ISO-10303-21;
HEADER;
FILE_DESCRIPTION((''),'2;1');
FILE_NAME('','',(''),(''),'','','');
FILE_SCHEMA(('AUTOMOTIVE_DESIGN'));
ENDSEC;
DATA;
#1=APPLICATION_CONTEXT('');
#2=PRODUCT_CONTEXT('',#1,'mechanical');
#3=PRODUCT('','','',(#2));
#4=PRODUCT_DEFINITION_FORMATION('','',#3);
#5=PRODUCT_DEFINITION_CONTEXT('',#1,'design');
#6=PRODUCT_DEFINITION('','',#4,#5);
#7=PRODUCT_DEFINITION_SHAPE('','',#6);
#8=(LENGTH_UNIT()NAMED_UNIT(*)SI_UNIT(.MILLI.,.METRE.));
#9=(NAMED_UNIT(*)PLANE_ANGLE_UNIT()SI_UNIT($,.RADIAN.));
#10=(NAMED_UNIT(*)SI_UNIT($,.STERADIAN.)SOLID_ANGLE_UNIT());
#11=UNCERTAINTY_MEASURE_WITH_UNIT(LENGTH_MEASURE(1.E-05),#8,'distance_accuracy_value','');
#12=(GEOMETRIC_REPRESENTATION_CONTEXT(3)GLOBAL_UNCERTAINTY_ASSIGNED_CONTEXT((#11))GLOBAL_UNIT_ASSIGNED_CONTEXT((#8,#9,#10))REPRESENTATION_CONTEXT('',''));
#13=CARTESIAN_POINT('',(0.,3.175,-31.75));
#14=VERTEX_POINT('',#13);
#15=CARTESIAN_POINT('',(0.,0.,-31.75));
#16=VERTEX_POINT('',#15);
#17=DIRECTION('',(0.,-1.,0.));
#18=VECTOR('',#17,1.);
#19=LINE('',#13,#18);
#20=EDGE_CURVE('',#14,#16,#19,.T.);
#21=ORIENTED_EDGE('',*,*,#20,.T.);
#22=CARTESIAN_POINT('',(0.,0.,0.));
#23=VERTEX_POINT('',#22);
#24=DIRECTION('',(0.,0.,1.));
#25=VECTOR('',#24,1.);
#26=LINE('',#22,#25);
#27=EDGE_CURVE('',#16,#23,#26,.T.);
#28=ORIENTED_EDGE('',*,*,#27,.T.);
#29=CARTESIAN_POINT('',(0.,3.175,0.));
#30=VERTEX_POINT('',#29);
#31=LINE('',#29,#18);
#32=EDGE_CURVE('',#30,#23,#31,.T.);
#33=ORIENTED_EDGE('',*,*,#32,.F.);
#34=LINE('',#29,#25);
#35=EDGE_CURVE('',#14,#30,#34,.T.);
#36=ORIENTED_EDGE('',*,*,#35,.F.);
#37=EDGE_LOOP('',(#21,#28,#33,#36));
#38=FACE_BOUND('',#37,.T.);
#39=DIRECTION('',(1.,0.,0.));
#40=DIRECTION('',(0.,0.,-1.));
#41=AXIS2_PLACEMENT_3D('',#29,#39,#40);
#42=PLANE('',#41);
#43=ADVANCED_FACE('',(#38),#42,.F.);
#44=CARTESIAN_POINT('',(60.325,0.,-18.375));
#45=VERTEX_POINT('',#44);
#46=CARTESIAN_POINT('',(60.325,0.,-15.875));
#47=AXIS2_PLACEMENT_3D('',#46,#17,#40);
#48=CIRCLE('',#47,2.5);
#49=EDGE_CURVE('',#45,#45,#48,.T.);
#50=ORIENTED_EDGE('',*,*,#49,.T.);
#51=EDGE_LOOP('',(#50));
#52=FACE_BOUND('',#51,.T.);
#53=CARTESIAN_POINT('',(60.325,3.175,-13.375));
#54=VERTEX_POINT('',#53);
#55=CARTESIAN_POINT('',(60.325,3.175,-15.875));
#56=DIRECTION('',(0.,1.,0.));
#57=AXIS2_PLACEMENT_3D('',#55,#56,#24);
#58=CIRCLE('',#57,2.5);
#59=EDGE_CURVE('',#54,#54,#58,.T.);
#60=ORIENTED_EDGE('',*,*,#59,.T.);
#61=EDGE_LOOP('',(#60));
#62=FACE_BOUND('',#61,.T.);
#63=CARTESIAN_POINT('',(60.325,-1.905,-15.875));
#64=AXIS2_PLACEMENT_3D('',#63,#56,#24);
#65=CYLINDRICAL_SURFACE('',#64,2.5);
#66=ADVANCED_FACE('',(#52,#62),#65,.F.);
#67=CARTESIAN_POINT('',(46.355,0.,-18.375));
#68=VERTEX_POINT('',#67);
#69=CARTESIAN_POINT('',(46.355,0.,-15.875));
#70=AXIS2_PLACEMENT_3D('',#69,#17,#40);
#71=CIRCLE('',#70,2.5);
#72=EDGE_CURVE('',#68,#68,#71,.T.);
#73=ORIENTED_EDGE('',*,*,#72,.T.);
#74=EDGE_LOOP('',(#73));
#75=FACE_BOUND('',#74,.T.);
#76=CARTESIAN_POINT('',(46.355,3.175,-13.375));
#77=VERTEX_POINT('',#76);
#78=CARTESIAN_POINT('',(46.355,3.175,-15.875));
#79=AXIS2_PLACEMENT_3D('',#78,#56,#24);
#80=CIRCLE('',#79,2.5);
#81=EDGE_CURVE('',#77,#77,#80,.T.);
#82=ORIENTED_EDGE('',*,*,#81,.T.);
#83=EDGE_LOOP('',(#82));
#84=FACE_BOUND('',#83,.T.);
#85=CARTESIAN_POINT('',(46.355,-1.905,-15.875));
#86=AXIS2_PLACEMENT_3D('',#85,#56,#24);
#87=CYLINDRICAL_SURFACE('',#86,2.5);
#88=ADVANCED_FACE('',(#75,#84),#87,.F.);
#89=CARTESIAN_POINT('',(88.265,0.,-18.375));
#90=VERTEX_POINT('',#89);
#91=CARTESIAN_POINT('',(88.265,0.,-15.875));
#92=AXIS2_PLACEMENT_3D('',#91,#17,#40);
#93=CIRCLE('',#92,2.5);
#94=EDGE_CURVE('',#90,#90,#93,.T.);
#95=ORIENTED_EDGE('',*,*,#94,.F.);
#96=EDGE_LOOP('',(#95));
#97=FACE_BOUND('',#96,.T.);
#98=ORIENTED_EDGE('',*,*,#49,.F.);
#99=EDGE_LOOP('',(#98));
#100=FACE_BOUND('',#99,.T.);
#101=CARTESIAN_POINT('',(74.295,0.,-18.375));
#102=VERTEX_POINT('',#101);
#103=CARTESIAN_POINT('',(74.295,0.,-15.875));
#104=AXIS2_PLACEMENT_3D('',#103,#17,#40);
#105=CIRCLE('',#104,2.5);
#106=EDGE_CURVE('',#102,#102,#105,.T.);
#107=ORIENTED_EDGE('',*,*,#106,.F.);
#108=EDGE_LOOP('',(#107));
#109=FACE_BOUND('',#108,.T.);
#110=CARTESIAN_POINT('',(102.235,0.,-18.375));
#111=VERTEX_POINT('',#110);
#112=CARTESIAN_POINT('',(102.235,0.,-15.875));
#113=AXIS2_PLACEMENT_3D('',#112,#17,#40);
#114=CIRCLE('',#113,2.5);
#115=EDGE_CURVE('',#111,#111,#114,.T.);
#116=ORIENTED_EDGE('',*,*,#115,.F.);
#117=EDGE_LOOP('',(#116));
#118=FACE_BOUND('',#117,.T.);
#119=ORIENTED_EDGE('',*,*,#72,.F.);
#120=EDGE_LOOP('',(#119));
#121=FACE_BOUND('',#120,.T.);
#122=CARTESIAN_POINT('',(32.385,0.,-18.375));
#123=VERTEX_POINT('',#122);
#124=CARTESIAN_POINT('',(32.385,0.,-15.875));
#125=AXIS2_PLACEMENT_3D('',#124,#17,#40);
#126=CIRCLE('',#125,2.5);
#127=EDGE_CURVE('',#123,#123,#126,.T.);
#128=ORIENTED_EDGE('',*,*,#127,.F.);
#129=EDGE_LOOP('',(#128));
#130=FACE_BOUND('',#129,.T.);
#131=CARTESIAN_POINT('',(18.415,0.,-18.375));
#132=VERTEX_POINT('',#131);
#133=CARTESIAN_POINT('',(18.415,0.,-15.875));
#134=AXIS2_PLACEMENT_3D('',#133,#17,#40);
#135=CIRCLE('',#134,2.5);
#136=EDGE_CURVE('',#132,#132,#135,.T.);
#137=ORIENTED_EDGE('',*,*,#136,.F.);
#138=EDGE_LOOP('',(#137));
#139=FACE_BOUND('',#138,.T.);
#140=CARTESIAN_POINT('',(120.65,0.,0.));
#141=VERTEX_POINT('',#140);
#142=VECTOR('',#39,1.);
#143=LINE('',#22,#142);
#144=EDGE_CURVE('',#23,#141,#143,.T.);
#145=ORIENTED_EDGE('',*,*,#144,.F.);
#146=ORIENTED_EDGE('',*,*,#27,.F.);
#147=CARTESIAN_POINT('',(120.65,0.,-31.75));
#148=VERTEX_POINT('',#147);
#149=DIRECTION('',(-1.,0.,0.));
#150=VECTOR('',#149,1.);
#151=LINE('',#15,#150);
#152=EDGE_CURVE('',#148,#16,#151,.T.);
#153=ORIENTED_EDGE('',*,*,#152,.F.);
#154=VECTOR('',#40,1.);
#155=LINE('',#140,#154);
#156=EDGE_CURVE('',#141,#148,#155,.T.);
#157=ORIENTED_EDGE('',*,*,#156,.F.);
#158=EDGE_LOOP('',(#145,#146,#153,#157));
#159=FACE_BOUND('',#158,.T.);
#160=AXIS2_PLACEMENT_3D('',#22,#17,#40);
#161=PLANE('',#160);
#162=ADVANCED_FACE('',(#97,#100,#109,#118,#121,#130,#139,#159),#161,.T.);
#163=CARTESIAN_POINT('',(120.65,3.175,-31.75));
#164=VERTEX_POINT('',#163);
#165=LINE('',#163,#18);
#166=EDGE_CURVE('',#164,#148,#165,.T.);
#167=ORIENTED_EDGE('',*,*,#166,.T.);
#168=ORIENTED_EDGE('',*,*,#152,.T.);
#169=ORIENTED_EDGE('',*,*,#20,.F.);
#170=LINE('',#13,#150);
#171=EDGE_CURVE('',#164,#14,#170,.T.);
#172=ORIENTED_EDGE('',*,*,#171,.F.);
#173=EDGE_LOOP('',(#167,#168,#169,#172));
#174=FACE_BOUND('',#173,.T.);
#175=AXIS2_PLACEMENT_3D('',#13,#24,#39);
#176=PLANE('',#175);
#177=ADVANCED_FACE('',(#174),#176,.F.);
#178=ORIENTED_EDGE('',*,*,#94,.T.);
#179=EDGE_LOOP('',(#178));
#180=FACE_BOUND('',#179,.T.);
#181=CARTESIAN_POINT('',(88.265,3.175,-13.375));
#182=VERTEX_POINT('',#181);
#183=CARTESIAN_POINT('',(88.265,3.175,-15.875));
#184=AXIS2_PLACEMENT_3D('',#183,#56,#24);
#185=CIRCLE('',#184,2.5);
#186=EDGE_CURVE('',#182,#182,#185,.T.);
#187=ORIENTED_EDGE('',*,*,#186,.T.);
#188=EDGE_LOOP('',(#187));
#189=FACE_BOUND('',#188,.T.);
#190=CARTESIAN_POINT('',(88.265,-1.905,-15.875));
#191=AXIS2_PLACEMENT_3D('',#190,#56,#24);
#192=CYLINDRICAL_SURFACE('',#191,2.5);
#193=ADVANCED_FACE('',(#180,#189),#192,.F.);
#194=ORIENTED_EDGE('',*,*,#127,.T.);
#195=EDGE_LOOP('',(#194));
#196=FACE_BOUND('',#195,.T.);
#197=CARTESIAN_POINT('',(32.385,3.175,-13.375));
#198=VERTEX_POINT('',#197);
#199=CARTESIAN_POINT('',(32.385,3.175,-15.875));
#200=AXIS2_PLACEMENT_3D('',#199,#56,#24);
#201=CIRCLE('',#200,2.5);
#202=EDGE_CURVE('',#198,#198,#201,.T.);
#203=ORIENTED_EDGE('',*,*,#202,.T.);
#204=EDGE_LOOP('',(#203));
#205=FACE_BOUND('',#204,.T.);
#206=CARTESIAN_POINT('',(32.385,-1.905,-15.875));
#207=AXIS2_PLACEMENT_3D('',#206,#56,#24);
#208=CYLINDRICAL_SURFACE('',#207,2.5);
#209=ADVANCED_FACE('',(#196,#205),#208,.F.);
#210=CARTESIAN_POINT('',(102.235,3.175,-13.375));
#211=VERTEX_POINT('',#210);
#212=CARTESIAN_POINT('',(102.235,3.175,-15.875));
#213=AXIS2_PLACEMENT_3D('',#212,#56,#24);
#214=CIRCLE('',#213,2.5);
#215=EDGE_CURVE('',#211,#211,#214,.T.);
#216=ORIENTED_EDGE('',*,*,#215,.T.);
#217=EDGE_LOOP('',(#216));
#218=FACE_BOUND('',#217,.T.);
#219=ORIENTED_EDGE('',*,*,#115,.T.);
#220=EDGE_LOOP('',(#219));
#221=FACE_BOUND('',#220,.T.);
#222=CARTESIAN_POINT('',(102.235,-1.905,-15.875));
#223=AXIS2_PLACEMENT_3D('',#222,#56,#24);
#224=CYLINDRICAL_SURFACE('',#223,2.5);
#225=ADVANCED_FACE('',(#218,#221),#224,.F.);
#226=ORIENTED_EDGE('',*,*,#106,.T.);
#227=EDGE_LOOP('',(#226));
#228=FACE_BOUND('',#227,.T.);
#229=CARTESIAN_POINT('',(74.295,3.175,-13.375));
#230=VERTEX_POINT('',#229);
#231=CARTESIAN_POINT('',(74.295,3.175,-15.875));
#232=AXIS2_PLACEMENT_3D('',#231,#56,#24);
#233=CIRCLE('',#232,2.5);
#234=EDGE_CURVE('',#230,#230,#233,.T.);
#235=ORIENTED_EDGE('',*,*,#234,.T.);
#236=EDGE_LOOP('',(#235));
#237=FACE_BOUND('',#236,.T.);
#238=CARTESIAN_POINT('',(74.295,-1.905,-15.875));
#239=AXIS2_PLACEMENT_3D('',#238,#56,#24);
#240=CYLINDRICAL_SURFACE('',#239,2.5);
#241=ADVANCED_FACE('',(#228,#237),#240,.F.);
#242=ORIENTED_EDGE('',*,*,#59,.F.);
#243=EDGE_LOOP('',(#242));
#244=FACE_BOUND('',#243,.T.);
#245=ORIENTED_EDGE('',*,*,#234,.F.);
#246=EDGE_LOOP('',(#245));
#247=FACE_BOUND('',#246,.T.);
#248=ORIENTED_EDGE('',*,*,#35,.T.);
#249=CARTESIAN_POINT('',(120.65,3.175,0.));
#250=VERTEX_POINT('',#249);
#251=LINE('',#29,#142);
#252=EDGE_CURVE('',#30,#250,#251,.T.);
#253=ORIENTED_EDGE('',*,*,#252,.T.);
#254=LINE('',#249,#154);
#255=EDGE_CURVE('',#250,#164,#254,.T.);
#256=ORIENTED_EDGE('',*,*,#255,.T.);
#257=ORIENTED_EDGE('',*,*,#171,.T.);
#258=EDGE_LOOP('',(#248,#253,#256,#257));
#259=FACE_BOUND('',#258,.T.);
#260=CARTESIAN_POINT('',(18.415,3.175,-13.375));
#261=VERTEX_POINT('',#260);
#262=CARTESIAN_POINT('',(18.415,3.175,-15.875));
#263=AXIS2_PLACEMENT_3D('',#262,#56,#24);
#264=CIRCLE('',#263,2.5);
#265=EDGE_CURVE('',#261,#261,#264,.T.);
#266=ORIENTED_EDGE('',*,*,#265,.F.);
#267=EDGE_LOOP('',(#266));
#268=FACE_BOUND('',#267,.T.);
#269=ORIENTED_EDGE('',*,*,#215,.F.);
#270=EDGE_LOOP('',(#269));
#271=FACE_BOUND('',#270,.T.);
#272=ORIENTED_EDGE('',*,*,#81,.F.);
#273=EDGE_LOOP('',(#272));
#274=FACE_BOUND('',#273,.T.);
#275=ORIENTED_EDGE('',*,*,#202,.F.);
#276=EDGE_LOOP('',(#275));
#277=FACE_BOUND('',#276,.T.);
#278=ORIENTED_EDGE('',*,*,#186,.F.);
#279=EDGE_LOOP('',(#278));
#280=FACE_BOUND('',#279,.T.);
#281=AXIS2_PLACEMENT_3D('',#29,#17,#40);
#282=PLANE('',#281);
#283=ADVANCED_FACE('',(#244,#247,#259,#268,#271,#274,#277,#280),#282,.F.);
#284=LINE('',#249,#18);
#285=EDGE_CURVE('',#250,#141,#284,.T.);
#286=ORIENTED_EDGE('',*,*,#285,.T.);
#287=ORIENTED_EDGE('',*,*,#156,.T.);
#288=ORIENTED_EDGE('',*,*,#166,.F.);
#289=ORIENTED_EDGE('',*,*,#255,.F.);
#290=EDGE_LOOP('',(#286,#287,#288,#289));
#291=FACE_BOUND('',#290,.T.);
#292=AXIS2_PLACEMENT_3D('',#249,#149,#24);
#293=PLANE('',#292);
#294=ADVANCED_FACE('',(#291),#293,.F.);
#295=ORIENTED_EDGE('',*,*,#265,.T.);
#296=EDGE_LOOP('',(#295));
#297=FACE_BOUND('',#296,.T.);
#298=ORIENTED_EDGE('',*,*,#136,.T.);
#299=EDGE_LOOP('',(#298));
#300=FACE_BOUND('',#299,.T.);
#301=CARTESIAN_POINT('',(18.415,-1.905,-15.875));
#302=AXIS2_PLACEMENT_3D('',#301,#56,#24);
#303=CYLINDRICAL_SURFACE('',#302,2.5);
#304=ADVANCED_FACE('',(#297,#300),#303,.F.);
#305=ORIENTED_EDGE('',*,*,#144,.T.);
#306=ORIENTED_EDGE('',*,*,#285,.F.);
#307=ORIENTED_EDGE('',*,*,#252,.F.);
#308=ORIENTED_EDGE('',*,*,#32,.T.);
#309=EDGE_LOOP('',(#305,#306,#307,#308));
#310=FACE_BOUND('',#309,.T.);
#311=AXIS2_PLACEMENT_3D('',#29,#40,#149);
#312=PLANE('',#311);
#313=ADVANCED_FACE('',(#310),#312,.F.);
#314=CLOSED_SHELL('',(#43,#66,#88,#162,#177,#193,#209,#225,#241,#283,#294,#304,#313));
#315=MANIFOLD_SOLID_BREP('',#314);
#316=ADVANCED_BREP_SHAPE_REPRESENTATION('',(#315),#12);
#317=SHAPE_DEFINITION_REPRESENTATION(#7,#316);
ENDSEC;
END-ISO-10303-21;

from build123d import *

# Parameters (mm, degrees)
SKETCH1_W           = 120.65
SKETCH1_H           = 31.75
BOSS_EXTRUDE1_DEPTH = 3.175
SKETCH2_R           = 2.5
CUT_EXTRUDE1_DEPTH  = 5.08
LPATTERN2_COUNT     = 4
LPATTERN2_PITCH     = 13.97
LPATTERN2_COL_COUNT = 4
LPATTERN2_COL_PITCH = 13.97


with BuildPart() as part:
    # Sketch1 → Boss-Extrude1 (new body)
    with BuildSketch(Plane(origin=(0, 0, 0), x_dir=(1, 0, 0), z_dir=(0, 1, 0))):
        with Locations((60.325, 15.875)):
            Rectangle(SKETCH1_W, SKETCH1_H)
    extrude(amount=BOSS_EXTRUDE1_DEPTH)

    # Sketch2 → Cut-Extrude1 (cut)
    with BuildSketch(Plane(origin=(0, 3.175, 0), x_dir=(1, 0, 0), z_dir=(0, 1, 0))):
        with Locations(Location((60.325, 15.875, 0), (0, 0, 270))):
            Circle(SKETCH2_R)
    cut_extrude1 = extrude(amount=-CUT_EXTRUDE1_DEPTH, mode=Mode.SUBTRACT)

    # LPattern2: Cut-Extrude1 ×4
    with Locations(*[(i * LPATTERN2_PITCH, 0, 0) for i in range(1, LPATTERN2_COUNT)]):
        add(cut_extrude1, mode=Mode.SUBTRACT)

    # LPattern2 col: Cut-Extrude1 ×4
    with Locations(*[(-i * LPATTERN2_COL_PITCH, 0, 0) for i in range(1, LPATTERN2_COL_COUNT)]):
        add(cut_extrude1, mode=Mode.SUBTRACT)


solid = part.part
